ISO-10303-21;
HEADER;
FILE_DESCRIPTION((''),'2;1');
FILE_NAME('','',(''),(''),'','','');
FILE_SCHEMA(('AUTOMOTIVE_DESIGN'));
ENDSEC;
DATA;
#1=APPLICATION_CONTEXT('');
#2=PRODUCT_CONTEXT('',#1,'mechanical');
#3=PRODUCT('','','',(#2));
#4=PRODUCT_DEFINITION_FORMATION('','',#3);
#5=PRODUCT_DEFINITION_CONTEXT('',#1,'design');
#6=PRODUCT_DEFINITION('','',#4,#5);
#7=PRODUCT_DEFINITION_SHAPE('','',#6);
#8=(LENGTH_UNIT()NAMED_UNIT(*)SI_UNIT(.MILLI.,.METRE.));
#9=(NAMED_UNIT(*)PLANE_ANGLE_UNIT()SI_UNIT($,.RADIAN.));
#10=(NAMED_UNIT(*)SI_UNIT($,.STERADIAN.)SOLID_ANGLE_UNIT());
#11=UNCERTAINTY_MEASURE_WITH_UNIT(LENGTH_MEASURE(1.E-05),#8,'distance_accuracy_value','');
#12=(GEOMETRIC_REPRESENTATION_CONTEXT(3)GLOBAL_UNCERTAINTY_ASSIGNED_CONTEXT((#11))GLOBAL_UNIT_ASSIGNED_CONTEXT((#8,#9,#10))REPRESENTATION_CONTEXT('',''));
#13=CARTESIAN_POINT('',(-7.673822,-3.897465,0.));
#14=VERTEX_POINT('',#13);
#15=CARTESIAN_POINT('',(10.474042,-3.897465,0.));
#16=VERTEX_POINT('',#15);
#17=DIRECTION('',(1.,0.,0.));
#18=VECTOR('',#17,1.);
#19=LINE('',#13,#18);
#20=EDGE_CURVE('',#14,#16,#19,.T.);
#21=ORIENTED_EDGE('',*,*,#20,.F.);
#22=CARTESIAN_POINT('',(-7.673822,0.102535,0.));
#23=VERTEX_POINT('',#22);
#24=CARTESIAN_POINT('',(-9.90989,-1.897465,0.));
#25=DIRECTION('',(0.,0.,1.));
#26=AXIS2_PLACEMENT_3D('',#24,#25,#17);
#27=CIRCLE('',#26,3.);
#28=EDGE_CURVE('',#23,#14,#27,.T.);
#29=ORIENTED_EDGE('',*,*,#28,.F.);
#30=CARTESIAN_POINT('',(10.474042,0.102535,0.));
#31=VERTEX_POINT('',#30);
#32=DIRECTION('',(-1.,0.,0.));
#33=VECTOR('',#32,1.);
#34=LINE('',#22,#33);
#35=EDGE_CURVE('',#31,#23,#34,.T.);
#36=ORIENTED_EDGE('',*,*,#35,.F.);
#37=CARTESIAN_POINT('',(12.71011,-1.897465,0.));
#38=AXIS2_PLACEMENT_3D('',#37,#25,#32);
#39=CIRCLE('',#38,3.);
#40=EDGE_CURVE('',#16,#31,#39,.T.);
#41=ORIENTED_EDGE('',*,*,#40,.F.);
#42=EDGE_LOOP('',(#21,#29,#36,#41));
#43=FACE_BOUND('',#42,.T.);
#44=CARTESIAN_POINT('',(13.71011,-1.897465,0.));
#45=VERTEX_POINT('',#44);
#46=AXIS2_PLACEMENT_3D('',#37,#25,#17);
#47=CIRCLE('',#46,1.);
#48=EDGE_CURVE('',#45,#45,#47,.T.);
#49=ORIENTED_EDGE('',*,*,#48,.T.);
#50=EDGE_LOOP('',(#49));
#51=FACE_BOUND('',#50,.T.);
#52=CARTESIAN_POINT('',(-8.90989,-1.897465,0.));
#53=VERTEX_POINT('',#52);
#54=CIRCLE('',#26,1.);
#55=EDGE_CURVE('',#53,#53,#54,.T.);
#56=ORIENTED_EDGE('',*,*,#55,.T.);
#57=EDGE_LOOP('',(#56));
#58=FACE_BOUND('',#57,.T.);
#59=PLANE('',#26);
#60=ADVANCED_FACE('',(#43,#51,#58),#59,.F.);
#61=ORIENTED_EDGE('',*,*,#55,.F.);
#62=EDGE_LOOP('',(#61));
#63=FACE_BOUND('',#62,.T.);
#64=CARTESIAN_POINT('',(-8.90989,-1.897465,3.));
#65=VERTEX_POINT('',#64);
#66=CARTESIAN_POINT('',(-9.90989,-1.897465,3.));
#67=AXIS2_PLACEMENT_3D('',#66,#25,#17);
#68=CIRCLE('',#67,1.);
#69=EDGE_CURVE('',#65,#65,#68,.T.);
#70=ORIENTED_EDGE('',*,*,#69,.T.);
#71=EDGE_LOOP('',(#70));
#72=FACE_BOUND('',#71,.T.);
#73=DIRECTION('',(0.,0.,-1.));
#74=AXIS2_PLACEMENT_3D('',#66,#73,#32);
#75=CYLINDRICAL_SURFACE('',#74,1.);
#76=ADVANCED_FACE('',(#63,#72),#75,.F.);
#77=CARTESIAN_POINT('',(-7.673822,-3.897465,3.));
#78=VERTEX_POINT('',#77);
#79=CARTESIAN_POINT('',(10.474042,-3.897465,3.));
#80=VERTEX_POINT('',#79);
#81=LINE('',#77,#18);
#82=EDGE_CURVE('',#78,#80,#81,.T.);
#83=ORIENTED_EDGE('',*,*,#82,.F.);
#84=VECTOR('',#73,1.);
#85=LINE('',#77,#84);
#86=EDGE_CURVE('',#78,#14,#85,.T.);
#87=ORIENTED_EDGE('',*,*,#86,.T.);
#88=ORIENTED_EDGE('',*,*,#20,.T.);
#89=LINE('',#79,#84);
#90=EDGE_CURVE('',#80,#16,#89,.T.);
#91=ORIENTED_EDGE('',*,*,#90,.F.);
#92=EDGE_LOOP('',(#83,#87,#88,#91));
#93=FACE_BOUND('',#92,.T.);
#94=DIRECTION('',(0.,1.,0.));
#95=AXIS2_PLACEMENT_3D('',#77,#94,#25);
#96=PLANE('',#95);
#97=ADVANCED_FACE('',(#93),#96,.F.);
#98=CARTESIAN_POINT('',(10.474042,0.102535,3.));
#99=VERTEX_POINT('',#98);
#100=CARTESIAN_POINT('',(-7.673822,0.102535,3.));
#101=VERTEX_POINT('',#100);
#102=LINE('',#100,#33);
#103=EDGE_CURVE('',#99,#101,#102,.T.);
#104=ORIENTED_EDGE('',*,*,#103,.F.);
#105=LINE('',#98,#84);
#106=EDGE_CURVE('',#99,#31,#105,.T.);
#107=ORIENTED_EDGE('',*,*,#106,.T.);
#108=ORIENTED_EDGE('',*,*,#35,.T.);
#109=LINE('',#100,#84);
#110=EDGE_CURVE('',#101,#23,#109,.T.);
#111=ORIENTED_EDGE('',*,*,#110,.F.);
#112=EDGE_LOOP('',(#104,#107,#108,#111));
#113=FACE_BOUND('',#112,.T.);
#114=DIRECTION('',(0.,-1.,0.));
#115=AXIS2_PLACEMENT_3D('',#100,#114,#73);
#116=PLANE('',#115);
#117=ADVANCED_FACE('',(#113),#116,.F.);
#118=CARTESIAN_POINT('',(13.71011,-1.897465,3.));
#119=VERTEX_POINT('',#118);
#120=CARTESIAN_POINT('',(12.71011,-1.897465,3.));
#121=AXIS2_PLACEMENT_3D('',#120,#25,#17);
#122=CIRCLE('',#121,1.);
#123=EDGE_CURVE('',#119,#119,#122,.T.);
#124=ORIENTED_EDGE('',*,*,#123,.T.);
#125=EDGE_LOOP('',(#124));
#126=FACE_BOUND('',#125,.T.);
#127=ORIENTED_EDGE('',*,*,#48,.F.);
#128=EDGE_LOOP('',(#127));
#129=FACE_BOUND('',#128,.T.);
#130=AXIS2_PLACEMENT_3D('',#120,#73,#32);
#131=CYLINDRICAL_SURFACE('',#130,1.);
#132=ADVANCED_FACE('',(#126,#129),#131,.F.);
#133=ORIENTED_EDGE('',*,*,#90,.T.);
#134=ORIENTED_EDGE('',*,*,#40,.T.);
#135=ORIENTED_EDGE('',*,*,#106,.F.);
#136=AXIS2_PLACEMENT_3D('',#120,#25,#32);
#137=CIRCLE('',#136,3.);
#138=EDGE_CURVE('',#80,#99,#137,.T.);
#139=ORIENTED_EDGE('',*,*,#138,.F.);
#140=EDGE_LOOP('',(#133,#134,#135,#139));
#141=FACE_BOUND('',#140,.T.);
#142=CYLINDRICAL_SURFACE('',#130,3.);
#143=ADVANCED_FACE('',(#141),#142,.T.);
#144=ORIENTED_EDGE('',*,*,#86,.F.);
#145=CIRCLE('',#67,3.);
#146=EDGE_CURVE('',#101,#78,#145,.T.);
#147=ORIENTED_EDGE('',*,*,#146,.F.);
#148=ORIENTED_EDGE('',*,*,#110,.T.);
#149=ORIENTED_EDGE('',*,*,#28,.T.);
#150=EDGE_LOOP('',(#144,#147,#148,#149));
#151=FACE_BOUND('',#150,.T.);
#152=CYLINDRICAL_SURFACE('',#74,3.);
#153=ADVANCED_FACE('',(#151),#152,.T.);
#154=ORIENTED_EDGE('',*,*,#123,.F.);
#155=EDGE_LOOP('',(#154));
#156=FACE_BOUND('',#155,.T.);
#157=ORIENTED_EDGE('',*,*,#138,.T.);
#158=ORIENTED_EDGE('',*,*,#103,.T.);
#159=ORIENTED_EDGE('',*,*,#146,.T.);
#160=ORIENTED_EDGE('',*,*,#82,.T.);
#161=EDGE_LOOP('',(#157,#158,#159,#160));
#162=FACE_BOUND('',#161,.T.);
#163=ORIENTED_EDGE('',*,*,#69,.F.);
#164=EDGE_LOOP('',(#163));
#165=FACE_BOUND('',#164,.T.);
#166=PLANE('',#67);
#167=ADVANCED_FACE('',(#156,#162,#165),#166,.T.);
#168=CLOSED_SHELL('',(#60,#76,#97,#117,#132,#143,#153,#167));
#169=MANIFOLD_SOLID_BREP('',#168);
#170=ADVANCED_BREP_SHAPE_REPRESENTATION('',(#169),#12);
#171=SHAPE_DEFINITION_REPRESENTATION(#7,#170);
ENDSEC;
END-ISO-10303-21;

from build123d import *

# Parameters (mm, degrees)
SKETCH1_R           = 1
BOSS_EXTRUDE1_DEPTH = 3


with BuildPart() as part:
    # Sketch1 → Boss-Extrude1 (new body)
    with BuildSketch(Plane.XY):
        with BuildLine():
            Line((-7.673822195, 0.102534963), (10.47404185, 0.102534963))
            ThreePointArc((10.47404185, 0.102534963), (15.710109828, -1.897465037), (10.47404185, -3.897465037))
            Line((10.47404185, -3.897465037), (-7.673822195, -3.897465037))
            ThreePointArc((-7.673822195, -3.897465037), (-12.909890172, -1.897465037), (-7.673822195, 0.102534963))
        make_face()
        with Locations((-9.909890172, -1.897465037)):
            Circle(SKETCH1_R, mode=Mode.SUBTRACT)
        with Locations((12.710109828, -1.897465037)):
            Circle(SKETCH1_R, mode=Mode.SUBTRACT)
    extrude(amount=BOSS_EXTRUDE1_DEPTH)


solid = part.part
